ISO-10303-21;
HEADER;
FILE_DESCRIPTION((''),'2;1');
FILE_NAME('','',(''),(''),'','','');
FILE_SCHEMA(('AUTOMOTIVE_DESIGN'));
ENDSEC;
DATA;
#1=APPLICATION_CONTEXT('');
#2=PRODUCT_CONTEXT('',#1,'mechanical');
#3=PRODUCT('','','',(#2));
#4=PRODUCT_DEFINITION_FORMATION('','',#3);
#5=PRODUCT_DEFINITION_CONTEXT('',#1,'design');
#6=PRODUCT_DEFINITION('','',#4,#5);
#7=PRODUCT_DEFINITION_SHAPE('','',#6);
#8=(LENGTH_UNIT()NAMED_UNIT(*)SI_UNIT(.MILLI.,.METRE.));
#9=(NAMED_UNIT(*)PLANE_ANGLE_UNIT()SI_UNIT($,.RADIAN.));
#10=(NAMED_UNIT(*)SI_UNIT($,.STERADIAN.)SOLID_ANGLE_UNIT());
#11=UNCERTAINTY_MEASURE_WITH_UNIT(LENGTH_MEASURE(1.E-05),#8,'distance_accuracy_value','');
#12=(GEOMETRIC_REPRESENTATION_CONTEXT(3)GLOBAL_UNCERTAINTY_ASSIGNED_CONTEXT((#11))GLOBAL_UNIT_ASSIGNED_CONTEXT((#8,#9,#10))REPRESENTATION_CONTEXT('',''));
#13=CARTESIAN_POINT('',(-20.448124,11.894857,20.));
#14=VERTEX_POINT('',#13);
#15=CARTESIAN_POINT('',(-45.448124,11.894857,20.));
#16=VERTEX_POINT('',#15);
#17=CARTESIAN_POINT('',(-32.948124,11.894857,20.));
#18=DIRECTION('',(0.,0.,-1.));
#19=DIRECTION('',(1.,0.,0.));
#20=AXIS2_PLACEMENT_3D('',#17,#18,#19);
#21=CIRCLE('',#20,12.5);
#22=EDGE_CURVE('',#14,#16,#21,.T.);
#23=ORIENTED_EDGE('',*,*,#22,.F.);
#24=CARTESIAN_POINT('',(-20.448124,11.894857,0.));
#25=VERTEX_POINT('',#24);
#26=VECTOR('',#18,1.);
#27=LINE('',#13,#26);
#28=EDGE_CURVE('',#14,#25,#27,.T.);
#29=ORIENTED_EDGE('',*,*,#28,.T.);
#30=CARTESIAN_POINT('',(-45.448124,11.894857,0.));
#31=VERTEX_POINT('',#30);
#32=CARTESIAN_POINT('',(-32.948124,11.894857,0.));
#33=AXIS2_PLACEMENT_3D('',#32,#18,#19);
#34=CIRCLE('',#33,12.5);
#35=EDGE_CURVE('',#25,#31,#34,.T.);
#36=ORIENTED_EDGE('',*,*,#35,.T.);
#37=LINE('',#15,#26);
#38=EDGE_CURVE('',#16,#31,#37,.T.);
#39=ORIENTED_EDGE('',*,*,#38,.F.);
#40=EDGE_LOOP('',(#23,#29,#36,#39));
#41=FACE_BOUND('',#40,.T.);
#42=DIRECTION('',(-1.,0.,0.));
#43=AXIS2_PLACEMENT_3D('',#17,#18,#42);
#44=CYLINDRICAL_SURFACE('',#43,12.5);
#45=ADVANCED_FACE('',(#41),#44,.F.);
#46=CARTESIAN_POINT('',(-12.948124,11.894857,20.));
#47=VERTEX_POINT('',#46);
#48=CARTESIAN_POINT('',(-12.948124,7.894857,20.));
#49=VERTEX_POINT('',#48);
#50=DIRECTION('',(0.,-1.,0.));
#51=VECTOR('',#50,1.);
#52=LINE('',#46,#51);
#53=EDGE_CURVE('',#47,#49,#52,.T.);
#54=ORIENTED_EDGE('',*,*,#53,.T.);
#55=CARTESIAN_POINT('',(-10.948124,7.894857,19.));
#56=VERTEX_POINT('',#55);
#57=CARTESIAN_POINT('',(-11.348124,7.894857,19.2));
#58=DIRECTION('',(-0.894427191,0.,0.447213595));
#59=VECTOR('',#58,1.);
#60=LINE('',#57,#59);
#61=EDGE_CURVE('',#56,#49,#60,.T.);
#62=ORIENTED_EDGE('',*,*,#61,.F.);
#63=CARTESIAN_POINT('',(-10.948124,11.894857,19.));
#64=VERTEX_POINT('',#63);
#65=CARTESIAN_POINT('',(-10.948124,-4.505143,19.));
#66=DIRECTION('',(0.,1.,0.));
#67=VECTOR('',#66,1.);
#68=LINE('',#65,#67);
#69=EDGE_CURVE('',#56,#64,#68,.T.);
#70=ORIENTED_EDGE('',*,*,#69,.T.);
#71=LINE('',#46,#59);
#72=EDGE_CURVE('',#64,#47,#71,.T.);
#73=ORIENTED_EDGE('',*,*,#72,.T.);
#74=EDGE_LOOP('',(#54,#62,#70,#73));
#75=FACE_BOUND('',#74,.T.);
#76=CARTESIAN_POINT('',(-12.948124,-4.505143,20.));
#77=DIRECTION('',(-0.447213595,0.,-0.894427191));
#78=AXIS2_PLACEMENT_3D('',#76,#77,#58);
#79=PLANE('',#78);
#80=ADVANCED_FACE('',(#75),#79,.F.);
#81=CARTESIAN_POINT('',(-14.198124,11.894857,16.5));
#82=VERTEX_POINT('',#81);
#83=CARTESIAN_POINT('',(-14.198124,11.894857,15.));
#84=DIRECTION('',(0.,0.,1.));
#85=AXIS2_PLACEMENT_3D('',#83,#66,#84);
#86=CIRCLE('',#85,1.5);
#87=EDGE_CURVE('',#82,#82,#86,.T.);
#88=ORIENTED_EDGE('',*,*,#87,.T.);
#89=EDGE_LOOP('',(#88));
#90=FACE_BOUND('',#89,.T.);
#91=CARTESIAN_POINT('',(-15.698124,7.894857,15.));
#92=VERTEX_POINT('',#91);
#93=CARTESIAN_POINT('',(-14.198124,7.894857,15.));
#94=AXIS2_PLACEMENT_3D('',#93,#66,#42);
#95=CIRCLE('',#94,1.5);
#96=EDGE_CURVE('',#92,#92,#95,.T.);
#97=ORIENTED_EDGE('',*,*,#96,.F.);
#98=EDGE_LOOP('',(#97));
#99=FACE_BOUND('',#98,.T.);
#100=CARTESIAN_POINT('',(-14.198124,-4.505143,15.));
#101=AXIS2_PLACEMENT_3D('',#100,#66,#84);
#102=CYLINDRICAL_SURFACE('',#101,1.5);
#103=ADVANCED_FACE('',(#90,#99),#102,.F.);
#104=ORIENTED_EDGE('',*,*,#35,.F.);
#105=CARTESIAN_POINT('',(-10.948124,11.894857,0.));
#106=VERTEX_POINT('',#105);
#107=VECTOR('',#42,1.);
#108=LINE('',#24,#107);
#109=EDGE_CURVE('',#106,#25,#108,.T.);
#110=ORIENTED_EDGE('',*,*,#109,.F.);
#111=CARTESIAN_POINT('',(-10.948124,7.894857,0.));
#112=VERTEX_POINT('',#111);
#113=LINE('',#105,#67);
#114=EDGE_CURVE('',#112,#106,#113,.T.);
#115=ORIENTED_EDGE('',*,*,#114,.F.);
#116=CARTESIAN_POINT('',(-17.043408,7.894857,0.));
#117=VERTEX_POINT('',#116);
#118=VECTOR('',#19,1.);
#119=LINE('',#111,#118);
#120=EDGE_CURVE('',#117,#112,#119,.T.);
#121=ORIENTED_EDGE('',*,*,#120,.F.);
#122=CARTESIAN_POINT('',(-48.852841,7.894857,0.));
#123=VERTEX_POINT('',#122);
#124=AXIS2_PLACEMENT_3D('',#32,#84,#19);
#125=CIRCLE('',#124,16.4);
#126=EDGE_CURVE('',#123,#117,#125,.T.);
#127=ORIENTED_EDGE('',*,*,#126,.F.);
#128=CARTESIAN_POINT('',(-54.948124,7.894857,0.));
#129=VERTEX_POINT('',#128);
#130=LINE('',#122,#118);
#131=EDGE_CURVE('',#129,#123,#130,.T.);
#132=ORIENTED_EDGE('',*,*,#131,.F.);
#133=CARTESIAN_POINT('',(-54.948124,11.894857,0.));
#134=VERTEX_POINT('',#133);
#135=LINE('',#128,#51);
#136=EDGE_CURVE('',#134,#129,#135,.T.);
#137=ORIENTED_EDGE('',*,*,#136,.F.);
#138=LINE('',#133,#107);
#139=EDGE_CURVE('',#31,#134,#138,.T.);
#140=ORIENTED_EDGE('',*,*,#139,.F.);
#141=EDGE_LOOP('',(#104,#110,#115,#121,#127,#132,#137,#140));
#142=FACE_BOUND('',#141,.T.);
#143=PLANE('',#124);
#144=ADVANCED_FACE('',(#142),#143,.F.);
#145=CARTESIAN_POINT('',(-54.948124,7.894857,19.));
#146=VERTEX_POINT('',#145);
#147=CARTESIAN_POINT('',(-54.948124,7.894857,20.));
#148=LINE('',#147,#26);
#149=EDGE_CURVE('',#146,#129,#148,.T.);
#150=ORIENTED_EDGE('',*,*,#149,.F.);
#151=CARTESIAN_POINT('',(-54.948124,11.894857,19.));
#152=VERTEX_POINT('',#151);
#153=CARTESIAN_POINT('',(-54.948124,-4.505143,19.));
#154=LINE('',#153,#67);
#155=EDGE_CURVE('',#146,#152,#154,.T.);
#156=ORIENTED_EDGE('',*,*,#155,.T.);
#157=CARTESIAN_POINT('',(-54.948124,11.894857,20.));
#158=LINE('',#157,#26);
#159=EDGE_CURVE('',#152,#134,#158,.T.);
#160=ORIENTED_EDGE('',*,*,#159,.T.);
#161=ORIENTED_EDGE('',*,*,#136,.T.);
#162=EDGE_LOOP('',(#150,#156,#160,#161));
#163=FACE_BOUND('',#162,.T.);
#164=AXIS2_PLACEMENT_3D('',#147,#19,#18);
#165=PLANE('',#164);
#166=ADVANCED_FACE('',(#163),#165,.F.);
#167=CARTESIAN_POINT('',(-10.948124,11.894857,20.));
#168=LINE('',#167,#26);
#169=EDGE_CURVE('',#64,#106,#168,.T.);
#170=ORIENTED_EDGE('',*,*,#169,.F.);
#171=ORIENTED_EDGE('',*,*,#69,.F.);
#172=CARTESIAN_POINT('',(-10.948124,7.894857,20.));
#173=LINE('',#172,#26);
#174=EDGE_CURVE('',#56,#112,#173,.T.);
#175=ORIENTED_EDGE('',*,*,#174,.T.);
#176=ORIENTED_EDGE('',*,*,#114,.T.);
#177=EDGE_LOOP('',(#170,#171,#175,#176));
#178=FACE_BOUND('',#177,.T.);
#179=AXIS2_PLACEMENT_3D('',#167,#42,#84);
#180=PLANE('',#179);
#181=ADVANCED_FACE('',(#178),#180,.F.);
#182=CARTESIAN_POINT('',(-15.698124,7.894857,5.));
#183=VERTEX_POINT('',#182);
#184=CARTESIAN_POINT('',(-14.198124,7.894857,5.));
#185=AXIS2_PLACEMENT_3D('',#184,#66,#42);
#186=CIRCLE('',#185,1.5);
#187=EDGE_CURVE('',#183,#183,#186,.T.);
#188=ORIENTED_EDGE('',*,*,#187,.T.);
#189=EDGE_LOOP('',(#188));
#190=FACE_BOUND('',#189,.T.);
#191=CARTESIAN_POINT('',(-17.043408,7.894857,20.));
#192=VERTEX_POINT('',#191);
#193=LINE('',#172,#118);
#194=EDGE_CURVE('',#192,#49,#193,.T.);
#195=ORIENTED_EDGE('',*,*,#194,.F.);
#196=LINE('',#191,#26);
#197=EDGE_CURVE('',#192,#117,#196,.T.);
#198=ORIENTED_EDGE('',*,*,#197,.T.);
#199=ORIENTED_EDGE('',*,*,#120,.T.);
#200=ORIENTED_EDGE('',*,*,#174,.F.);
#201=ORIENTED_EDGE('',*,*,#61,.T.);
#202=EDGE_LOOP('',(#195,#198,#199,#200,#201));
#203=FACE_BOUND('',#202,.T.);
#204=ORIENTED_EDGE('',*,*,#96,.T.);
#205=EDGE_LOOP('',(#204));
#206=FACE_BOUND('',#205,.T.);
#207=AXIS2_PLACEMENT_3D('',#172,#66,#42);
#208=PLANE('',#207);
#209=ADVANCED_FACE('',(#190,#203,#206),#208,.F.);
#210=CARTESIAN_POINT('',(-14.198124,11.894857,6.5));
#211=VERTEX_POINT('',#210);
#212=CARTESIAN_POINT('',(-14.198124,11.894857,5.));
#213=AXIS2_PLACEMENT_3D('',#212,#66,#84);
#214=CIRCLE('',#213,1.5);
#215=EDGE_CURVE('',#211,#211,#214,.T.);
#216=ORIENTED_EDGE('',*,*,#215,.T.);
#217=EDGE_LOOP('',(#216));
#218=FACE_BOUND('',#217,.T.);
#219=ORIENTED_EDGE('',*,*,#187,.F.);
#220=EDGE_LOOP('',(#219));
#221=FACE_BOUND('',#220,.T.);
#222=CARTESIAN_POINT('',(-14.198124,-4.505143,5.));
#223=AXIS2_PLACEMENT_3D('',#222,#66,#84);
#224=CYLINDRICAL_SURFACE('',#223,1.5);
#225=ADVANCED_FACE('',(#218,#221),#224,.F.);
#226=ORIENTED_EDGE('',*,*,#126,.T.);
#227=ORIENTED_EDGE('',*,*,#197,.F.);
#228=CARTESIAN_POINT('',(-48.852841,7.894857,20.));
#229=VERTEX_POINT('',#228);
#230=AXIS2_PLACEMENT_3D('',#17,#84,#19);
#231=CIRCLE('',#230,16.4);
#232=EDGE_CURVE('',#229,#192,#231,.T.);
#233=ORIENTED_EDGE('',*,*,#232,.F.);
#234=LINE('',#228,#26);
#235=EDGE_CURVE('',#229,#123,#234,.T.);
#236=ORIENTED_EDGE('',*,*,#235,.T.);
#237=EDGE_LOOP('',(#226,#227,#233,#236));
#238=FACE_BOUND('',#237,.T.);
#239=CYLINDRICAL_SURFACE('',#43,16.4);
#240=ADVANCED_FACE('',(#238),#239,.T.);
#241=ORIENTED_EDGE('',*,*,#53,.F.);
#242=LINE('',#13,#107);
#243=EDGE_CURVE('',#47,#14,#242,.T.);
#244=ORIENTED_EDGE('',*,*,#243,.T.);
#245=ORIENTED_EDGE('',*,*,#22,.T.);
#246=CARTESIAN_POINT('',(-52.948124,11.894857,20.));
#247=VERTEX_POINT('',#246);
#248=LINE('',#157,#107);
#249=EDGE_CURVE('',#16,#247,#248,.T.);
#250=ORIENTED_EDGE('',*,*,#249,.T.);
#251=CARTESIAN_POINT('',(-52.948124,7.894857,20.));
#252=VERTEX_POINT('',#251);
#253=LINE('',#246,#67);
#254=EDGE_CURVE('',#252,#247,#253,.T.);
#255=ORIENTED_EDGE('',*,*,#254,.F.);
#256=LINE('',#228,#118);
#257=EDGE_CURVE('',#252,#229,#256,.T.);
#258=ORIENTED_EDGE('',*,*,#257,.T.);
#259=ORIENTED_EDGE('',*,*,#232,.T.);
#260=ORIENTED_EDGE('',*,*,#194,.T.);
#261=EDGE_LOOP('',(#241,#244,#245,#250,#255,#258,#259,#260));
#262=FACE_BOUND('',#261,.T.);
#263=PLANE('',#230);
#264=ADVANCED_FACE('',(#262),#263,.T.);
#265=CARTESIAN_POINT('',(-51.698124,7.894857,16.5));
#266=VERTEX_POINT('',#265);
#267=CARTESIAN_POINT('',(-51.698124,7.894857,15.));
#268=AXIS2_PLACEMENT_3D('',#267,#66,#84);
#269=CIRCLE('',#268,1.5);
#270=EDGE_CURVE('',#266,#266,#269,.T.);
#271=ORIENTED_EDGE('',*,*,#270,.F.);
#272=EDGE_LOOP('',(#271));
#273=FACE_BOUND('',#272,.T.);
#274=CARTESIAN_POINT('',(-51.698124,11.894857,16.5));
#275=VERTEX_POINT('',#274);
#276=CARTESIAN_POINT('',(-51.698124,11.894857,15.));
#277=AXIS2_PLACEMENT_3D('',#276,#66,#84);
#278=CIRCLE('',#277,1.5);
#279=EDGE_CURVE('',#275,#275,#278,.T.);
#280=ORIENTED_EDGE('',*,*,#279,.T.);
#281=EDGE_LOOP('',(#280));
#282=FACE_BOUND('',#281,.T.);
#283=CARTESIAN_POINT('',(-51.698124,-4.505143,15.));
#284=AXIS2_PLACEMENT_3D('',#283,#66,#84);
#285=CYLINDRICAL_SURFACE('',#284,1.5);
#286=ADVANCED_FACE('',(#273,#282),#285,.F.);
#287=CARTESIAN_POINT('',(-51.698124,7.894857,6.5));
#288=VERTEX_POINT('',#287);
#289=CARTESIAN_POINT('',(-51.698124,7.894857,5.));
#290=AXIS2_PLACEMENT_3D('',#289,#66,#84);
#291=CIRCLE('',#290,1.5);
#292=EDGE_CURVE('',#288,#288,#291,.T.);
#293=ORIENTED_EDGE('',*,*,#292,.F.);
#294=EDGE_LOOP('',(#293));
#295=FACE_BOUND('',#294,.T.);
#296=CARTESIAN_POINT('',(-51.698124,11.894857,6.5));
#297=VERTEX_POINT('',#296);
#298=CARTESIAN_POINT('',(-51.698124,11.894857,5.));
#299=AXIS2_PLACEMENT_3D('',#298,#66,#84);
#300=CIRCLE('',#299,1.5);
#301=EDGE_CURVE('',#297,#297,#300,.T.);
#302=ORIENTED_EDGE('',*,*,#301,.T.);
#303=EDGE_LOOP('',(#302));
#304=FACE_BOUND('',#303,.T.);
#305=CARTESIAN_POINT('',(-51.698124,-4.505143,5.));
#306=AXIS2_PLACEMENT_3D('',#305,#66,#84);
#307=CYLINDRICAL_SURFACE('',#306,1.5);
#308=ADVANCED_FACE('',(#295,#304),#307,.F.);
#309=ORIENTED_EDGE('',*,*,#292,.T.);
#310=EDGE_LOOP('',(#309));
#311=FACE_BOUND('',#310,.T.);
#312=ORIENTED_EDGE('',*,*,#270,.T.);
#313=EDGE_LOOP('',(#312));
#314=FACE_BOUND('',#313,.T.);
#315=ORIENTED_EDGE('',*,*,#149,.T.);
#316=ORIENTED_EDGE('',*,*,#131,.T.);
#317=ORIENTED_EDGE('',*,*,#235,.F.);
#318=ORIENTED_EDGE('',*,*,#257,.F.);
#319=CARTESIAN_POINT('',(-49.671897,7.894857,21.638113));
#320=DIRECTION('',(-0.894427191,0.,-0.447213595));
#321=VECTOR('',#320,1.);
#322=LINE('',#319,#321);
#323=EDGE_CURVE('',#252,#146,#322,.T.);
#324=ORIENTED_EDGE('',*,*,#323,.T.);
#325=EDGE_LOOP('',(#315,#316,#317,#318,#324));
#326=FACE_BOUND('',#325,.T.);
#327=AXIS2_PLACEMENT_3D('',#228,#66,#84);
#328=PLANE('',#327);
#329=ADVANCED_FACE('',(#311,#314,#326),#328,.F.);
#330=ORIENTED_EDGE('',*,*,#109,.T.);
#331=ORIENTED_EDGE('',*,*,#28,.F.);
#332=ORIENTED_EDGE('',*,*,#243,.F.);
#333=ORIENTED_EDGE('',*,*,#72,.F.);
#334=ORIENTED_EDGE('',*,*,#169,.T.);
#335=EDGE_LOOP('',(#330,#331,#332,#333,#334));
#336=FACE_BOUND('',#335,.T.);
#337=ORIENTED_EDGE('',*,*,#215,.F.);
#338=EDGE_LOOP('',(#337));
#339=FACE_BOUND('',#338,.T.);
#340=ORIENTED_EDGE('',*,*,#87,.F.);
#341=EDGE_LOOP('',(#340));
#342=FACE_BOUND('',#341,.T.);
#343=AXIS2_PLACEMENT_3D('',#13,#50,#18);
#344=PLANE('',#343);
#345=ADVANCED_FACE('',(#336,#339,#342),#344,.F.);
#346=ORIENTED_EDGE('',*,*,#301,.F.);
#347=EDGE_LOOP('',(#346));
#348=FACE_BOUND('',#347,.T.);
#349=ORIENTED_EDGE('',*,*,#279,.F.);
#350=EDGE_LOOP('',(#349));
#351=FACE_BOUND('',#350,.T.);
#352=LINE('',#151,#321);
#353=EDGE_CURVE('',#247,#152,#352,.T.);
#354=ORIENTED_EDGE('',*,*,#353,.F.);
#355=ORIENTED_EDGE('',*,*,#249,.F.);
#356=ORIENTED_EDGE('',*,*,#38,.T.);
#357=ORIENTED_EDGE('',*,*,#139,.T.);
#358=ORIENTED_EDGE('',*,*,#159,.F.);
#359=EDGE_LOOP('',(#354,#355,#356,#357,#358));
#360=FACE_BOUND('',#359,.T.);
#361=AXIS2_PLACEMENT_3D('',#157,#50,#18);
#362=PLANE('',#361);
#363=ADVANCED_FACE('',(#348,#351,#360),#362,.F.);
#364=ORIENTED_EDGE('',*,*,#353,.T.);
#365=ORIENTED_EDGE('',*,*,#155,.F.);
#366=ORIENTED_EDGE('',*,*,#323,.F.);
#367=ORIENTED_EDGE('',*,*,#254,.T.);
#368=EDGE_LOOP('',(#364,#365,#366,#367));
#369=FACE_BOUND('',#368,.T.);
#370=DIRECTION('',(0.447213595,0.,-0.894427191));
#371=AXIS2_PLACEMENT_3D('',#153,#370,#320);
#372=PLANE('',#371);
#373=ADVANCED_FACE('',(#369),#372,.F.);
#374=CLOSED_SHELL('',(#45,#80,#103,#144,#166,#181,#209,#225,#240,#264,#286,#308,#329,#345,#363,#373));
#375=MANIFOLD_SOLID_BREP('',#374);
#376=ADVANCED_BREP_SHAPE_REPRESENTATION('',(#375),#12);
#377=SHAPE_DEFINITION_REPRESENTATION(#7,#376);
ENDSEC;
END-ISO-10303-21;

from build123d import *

# Parameters (mm, degrees)
RESSALTO_EXTRUS_O1_DEPTH = 20
ESBO_O2_R                = 1.5
CORTE_EXTRUS_O1_DEPTH    = 61.731016524
CORTE_EXTRUS_O2_DEPTH    = 61.731016524


with BuildPart() as part:
    # Esboço1 → Ressalto-extrusão1 (new body)
    with BuildSketch(Plane.XY):
        with BuildLine():
            Line((-54.948124335, 11.894856768), (-45.448124335, 11.894856768))
            ThreePointArc((-45.448124335, 11.894856768), (-32.948124335, -0.605143232), (-20.448124335, 11.894856768))
            Line((-20.448124335, 11.894856768), (-10.948124335, 11.894856768))
            Line((-10.948124335, 11.894856768), (-10.948124335, 7.894856768))
            Line((-10.948124335, 7.894856768), (-17.043408054, 7.894856768))
            ThreePointArc((-17.043408054, 7.894856768), (-32.948124335, -4.505143232), (-48.852840617, 7.894856768))
            Line((-48.852840617, 7.894856768), (-54.948124335, 7.894856768))
            Line((-54.948124335, 7.894856768), (-54.948124335, 11.894856768))
        make_face()
    extrude(amount=RESSALTO_EXTRUS_O1_DEPTH)

    # Esboço2 → Corte-extrusão1 (cut, through all)
    with BuildSketch(Plane(origin=(0, 11.894856768, 0), x_dir=(1, 0, 0), z_dir=(0, 1, 0))):
        with Locations(Location((-51.698124335, -5, 0), (0, 0, 270))):
            Circle(ESBO_O2_R)
        with Locations(Location((-51.698124335, -15, 0), (0, 0, 270))):
            Circle(ESBO_O2_R)
        with Locations(Location((-14.198124335, -5, 0), (0, 0, 270))):
            Circle(ESBO_O2_R)
        with Locations(Location((-14.198124335, -15, 0), (0, 0, 270))):
            Circle(ESBO_O2_R)
    extrude(amount=-CORTE_EXTRUS_O1_DEPTH, mode=Mode.SUBTRACT)

    # Esboço3 → Corte-extrusão2 (cut, through all)
    with BuildSketch(Plane(origin=(0, 11.894856768, 0), x_dir=(1, 0, 0), z_dir=(0, 1, 0))):
        Polygon((-10.948124335, -21.140031795), (-8.775432295, -20.480907324), (-9.177542531, -19.85151739), (-10.948124335, -19), (-12.948124335, -20), (-13.238837314, -21.140031795), align=None)
        Polygon((-54.948124335, -19), (-52.948124335, -20), (-52.948124335, -22.628376124), (-56.762312397, -22.628376124), (-56.762312397, -19), align=None)
    extrude(amount=-CORTE_EXTRUS_O2_DEPTH, mode=Mode.SUBTRACT)


solid = part.part
